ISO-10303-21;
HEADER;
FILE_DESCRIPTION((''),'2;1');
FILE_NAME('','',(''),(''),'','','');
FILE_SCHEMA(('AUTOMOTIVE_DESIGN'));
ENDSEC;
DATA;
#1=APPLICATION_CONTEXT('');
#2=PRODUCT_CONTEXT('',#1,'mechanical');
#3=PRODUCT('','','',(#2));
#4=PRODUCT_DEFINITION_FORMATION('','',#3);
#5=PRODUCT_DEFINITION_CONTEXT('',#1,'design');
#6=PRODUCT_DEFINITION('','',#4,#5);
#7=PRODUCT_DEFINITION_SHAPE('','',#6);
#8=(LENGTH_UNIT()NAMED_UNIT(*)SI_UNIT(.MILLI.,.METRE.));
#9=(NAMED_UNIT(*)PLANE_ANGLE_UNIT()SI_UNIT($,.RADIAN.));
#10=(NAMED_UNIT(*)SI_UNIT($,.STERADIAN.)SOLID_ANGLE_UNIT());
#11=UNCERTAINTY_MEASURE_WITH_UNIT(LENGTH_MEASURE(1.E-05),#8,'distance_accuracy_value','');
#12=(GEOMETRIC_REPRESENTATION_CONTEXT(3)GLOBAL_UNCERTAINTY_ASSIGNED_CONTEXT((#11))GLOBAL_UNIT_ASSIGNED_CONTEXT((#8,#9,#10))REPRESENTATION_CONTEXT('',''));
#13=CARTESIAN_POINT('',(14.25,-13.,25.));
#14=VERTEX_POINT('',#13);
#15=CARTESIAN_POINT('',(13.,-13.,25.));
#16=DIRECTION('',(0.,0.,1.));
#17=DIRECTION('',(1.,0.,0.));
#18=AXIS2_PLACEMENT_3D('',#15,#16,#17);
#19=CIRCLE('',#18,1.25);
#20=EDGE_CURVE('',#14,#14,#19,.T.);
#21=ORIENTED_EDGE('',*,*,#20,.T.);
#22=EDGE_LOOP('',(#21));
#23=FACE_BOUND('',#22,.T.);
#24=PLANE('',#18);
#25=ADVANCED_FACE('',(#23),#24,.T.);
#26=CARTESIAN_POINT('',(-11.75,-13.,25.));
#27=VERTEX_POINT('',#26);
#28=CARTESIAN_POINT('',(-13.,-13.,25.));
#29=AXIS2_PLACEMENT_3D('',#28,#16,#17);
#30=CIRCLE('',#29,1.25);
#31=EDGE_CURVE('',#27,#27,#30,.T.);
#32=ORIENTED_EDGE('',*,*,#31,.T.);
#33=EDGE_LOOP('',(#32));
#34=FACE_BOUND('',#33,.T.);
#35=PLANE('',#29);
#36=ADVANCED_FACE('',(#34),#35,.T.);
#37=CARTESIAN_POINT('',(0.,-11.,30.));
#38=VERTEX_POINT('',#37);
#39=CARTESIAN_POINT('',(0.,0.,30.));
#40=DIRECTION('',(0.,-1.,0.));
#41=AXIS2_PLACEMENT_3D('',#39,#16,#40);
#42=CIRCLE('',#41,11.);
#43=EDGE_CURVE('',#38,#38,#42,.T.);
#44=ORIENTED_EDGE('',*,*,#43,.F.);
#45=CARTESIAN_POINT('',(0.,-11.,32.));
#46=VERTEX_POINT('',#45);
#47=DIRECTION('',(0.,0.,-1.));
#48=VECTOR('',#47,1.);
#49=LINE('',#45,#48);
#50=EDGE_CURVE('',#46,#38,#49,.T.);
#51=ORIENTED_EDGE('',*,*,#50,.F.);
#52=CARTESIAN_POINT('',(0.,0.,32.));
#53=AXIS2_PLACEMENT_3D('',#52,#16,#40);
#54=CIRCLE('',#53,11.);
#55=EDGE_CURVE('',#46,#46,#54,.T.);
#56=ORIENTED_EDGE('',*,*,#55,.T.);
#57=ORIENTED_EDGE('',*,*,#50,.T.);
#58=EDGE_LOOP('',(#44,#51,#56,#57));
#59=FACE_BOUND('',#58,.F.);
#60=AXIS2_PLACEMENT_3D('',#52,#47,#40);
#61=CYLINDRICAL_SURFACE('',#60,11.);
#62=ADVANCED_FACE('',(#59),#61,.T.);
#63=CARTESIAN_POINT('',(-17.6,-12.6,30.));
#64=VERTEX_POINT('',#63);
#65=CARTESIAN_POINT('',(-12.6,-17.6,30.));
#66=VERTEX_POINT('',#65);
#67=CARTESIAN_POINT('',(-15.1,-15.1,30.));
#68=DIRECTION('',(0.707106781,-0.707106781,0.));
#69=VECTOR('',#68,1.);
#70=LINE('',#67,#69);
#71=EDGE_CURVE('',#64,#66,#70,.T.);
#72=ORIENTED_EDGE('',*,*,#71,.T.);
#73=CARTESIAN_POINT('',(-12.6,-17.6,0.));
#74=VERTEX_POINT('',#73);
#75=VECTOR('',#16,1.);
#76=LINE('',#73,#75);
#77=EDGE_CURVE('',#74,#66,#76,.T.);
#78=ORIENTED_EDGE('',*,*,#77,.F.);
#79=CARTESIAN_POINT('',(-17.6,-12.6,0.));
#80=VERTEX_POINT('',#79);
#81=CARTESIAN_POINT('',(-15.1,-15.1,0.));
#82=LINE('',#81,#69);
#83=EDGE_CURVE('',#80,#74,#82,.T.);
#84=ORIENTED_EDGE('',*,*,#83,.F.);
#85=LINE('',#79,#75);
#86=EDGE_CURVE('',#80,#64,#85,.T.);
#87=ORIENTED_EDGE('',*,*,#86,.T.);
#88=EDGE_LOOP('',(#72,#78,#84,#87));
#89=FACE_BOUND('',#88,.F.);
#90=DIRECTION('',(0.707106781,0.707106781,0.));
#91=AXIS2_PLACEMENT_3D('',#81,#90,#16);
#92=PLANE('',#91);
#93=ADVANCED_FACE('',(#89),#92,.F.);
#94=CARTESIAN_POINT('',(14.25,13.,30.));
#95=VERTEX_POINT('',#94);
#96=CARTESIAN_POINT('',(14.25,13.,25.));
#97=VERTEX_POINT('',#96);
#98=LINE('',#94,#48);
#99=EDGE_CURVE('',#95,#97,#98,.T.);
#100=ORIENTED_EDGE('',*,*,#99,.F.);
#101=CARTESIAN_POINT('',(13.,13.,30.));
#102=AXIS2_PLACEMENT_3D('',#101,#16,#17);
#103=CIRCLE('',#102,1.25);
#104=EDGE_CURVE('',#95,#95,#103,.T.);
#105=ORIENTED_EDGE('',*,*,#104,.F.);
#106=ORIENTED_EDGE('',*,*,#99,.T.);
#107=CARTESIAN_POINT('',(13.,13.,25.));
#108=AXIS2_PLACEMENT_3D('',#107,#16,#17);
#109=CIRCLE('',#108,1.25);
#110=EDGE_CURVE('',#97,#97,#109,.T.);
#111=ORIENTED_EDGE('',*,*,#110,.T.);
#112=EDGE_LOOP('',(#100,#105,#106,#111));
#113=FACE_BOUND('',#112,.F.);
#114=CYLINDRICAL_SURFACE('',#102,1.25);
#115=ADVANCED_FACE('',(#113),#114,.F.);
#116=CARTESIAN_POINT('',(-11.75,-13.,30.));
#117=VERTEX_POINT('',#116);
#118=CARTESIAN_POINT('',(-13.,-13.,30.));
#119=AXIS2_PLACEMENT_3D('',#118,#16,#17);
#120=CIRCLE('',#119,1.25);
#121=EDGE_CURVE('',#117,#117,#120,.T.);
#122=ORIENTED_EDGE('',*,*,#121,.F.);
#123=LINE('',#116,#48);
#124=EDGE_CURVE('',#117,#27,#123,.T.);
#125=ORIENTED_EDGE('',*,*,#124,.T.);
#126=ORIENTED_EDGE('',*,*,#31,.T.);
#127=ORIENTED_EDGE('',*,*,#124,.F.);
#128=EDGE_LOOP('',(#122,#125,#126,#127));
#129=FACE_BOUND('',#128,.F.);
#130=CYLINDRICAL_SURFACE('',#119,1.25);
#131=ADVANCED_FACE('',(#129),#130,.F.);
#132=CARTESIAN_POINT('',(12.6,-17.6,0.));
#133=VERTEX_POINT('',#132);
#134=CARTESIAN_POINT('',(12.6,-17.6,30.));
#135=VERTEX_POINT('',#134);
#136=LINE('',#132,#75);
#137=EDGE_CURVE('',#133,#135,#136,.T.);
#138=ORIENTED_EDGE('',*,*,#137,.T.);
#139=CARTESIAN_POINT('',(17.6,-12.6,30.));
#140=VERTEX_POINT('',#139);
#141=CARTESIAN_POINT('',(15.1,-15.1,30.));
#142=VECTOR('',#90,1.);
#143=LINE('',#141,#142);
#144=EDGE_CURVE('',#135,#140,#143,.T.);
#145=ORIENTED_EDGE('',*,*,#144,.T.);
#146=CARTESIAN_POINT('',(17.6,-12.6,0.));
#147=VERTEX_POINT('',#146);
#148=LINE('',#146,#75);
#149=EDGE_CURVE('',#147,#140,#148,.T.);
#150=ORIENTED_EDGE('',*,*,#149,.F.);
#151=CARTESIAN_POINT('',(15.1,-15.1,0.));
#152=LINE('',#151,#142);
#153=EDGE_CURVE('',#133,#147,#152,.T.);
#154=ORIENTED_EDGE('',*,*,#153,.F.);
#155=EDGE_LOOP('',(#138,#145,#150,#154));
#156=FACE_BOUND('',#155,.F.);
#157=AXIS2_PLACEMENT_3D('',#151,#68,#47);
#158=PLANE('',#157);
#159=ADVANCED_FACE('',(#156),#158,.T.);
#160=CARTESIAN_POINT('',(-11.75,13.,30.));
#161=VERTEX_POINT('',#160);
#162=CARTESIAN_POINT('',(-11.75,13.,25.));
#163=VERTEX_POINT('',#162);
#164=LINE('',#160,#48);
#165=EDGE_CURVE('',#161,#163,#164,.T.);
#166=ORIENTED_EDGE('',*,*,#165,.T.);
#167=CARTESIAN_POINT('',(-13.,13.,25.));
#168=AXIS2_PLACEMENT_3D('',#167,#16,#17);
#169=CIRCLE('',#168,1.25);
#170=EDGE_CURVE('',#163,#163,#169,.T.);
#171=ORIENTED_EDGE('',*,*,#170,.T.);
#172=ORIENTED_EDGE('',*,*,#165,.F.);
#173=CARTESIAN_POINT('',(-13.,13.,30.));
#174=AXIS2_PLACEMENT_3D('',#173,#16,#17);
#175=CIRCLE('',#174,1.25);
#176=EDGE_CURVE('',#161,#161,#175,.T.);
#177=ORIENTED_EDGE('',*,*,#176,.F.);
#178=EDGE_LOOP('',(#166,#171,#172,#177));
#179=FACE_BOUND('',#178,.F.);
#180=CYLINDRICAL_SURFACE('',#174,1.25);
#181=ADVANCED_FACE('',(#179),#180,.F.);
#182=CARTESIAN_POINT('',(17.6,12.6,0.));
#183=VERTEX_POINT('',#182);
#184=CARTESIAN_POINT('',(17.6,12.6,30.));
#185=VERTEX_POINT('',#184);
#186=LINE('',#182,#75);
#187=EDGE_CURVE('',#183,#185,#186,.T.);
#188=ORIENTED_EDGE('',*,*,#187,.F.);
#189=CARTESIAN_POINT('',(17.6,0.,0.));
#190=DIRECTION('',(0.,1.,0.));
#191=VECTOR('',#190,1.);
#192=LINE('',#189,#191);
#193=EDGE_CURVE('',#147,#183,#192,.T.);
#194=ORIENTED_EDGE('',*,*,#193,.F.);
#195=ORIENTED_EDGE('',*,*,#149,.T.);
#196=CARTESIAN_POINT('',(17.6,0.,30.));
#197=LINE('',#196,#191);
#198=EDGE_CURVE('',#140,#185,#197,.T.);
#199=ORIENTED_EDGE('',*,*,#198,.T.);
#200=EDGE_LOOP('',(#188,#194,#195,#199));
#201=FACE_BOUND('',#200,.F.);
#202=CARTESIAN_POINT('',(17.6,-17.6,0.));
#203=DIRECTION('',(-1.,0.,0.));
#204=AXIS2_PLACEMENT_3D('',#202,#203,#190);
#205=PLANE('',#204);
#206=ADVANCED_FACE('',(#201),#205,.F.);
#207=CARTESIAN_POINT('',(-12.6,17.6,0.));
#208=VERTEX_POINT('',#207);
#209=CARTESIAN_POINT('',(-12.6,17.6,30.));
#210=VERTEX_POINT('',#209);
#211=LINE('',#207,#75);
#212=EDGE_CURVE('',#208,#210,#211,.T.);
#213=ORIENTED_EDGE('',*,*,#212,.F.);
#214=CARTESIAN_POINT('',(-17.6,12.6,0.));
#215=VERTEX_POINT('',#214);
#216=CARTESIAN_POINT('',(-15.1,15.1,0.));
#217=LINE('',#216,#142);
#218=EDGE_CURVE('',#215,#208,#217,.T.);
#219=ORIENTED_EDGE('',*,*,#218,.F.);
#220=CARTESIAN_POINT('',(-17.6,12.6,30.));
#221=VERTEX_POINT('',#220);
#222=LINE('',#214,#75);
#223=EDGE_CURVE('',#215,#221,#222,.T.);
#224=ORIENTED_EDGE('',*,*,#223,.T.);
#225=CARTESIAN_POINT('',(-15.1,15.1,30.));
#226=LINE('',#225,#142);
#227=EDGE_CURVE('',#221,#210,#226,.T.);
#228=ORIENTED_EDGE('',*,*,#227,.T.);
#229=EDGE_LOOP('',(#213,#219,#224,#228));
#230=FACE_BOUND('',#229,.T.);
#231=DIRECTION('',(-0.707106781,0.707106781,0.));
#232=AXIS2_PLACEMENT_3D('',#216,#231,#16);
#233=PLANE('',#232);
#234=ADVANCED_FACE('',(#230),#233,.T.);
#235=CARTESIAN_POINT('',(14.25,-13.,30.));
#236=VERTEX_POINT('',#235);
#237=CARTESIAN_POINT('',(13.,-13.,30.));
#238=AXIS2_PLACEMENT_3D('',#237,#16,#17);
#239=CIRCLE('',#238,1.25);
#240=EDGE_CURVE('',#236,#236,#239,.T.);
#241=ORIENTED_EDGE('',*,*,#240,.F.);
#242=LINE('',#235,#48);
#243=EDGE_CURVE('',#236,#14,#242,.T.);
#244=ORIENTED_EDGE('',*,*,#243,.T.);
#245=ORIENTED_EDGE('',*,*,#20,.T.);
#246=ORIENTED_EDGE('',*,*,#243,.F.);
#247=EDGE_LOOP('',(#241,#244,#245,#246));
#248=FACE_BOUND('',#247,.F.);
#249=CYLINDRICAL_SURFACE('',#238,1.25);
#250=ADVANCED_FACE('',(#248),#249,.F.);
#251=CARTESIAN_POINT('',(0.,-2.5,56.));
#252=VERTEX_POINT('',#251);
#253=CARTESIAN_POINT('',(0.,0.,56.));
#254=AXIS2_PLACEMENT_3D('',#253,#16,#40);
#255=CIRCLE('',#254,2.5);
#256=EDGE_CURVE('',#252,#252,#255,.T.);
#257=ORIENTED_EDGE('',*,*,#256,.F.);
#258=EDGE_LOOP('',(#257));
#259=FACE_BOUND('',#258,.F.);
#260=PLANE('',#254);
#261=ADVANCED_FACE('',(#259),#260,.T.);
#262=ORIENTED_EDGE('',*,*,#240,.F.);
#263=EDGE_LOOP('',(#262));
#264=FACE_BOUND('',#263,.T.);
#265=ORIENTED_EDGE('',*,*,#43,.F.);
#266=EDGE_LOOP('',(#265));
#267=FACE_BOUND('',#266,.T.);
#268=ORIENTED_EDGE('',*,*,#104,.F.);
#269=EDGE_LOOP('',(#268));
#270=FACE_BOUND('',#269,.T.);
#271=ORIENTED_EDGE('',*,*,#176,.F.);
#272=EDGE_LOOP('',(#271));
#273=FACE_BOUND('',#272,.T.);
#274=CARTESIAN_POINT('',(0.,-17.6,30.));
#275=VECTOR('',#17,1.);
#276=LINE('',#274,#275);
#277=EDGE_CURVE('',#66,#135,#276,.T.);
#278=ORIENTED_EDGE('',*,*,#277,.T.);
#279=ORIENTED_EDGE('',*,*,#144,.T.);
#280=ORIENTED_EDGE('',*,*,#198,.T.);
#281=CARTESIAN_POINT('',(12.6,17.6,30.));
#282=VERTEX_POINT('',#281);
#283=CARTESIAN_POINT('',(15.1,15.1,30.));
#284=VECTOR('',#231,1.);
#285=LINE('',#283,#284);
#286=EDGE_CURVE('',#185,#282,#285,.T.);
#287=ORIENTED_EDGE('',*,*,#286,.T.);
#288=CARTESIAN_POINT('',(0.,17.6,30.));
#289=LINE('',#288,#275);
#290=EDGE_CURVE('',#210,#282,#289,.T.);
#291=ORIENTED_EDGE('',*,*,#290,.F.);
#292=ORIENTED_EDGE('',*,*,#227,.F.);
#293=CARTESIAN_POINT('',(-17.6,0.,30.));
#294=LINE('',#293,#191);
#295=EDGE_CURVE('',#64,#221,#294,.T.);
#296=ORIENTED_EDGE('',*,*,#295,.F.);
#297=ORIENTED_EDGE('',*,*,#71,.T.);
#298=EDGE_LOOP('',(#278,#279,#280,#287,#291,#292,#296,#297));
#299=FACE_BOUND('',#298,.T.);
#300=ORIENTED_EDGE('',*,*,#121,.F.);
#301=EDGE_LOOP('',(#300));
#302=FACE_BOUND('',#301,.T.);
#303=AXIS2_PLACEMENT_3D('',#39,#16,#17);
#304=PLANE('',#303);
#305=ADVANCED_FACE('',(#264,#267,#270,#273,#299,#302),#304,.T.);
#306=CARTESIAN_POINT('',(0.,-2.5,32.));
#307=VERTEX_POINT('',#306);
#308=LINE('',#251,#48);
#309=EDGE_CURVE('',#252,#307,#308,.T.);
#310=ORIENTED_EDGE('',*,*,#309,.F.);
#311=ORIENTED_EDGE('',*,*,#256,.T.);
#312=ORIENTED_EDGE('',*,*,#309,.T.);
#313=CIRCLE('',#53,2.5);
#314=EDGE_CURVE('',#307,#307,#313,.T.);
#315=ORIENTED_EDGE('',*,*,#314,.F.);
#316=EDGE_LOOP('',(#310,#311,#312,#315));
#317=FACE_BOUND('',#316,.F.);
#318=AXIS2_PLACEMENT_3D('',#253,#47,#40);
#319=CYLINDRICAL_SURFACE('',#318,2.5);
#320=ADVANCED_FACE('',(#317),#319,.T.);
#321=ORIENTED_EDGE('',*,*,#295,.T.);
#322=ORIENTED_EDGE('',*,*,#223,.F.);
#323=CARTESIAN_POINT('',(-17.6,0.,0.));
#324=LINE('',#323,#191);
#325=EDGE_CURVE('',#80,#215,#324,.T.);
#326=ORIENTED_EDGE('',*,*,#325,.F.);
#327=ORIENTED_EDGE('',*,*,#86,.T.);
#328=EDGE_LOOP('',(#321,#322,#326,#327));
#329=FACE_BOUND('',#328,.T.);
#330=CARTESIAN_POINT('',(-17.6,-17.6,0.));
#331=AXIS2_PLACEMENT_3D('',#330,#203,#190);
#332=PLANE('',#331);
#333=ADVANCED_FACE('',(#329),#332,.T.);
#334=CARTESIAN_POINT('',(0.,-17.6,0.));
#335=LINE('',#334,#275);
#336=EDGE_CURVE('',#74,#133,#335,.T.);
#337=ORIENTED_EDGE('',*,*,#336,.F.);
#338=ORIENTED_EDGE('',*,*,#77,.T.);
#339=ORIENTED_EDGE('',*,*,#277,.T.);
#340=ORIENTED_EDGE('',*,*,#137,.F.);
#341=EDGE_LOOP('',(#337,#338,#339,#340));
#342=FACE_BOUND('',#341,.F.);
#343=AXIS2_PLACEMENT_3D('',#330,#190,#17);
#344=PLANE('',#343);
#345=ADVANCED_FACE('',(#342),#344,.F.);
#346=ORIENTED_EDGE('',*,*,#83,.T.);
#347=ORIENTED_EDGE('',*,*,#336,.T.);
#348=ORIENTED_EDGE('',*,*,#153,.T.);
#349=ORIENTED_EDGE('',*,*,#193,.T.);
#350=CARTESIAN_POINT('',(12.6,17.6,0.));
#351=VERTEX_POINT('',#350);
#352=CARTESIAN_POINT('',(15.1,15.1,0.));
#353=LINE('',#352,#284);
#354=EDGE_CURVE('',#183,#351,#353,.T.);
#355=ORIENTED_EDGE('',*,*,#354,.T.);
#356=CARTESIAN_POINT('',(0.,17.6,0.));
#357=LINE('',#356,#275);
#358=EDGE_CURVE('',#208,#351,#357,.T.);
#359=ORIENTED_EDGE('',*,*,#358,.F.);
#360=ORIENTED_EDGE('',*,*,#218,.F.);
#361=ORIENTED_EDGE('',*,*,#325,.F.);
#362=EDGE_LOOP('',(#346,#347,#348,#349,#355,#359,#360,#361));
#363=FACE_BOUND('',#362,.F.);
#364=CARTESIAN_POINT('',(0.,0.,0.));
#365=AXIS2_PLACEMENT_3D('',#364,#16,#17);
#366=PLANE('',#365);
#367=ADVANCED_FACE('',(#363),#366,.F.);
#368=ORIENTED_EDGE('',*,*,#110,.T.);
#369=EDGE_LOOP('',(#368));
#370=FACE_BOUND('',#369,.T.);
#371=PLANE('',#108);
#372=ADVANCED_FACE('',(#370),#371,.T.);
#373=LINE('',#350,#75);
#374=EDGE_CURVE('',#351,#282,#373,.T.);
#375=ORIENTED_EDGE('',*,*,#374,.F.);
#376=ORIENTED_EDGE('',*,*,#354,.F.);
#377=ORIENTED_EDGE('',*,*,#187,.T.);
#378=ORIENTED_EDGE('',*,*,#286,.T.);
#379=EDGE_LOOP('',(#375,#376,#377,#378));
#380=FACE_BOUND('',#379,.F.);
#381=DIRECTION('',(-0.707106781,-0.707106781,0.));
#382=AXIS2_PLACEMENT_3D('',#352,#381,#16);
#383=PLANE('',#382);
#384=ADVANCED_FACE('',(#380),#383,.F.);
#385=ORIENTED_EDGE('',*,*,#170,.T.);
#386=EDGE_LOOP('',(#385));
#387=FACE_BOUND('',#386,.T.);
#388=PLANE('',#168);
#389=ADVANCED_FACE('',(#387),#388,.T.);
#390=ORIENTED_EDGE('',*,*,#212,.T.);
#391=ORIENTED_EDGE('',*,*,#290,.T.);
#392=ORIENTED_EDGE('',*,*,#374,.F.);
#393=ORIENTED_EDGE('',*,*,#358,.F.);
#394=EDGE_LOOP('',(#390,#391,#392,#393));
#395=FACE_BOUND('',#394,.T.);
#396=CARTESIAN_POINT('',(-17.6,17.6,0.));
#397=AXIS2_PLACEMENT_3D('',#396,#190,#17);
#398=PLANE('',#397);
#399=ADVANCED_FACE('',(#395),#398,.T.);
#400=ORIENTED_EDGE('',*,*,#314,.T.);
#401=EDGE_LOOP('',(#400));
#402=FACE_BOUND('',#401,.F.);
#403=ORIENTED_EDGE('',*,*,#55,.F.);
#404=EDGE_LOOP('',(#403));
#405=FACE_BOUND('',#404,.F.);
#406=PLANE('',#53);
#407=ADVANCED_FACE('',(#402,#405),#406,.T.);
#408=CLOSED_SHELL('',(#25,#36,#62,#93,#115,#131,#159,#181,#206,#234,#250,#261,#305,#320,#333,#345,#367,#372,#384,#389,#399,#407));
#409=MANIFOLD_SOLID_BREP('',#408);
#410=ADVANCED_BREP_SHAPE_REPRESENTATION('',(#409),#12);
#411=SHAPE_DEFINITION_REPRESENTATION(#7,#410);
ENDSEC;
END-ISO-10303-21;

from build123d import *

# Parameters (mm, degrees)
F0_W     = 35.2
F0_H     = 35.2
F1_DEPTH = 30
F2_SIZE  = 5
F5_R     = 1.25
F6_DEPTH = 5


with BuildPart() as f1:
    # F0 (on Top) → F1 (new body)
    with BuildSketch(Plane.XY):
        Rectangle(F0_W, F0_H)
    extrude(amount=F1_DEPTH)

    # F2
    f2_edges = [f1.edges().sort_by_distance(p)[0] for p in [
        (17.6, -17.6, 15),
        (-17.6, -17.6, 15),
        (-17.6, 17.6, 15),
        (17.6, 17.6, 15),
    ]]
    chamfer(f2_edges, length=F2_SIZE)

    # F3 (on Right) → F4 (revolve)
    with BuildSketch(Plane.YZ):
        Polygon((-11, 30), (0, 30), (0, 56), (-2.5, 56), (-2.5, 32), (-11, 32), align=None)
    revolve(axis=Axis((0, 0, 43), (0, 0, 1)))

    # F5 (on face) → F6 (cut)
    with BuildSketch(Plane.XY.offset(30)):
        with Locations((-13, 13)):
            Circle(F5_R)
        with Locations((13, 13)):
            Circle(F5_R)
        with Locations((13, -13)):
            Circle(F5_R)
        with Locations((-13, -13)):
            Circle(F5_R)
    extrude(amount=-F6_DEPTH, mode=Mode.SUBTRACT)


solid = f1.part
